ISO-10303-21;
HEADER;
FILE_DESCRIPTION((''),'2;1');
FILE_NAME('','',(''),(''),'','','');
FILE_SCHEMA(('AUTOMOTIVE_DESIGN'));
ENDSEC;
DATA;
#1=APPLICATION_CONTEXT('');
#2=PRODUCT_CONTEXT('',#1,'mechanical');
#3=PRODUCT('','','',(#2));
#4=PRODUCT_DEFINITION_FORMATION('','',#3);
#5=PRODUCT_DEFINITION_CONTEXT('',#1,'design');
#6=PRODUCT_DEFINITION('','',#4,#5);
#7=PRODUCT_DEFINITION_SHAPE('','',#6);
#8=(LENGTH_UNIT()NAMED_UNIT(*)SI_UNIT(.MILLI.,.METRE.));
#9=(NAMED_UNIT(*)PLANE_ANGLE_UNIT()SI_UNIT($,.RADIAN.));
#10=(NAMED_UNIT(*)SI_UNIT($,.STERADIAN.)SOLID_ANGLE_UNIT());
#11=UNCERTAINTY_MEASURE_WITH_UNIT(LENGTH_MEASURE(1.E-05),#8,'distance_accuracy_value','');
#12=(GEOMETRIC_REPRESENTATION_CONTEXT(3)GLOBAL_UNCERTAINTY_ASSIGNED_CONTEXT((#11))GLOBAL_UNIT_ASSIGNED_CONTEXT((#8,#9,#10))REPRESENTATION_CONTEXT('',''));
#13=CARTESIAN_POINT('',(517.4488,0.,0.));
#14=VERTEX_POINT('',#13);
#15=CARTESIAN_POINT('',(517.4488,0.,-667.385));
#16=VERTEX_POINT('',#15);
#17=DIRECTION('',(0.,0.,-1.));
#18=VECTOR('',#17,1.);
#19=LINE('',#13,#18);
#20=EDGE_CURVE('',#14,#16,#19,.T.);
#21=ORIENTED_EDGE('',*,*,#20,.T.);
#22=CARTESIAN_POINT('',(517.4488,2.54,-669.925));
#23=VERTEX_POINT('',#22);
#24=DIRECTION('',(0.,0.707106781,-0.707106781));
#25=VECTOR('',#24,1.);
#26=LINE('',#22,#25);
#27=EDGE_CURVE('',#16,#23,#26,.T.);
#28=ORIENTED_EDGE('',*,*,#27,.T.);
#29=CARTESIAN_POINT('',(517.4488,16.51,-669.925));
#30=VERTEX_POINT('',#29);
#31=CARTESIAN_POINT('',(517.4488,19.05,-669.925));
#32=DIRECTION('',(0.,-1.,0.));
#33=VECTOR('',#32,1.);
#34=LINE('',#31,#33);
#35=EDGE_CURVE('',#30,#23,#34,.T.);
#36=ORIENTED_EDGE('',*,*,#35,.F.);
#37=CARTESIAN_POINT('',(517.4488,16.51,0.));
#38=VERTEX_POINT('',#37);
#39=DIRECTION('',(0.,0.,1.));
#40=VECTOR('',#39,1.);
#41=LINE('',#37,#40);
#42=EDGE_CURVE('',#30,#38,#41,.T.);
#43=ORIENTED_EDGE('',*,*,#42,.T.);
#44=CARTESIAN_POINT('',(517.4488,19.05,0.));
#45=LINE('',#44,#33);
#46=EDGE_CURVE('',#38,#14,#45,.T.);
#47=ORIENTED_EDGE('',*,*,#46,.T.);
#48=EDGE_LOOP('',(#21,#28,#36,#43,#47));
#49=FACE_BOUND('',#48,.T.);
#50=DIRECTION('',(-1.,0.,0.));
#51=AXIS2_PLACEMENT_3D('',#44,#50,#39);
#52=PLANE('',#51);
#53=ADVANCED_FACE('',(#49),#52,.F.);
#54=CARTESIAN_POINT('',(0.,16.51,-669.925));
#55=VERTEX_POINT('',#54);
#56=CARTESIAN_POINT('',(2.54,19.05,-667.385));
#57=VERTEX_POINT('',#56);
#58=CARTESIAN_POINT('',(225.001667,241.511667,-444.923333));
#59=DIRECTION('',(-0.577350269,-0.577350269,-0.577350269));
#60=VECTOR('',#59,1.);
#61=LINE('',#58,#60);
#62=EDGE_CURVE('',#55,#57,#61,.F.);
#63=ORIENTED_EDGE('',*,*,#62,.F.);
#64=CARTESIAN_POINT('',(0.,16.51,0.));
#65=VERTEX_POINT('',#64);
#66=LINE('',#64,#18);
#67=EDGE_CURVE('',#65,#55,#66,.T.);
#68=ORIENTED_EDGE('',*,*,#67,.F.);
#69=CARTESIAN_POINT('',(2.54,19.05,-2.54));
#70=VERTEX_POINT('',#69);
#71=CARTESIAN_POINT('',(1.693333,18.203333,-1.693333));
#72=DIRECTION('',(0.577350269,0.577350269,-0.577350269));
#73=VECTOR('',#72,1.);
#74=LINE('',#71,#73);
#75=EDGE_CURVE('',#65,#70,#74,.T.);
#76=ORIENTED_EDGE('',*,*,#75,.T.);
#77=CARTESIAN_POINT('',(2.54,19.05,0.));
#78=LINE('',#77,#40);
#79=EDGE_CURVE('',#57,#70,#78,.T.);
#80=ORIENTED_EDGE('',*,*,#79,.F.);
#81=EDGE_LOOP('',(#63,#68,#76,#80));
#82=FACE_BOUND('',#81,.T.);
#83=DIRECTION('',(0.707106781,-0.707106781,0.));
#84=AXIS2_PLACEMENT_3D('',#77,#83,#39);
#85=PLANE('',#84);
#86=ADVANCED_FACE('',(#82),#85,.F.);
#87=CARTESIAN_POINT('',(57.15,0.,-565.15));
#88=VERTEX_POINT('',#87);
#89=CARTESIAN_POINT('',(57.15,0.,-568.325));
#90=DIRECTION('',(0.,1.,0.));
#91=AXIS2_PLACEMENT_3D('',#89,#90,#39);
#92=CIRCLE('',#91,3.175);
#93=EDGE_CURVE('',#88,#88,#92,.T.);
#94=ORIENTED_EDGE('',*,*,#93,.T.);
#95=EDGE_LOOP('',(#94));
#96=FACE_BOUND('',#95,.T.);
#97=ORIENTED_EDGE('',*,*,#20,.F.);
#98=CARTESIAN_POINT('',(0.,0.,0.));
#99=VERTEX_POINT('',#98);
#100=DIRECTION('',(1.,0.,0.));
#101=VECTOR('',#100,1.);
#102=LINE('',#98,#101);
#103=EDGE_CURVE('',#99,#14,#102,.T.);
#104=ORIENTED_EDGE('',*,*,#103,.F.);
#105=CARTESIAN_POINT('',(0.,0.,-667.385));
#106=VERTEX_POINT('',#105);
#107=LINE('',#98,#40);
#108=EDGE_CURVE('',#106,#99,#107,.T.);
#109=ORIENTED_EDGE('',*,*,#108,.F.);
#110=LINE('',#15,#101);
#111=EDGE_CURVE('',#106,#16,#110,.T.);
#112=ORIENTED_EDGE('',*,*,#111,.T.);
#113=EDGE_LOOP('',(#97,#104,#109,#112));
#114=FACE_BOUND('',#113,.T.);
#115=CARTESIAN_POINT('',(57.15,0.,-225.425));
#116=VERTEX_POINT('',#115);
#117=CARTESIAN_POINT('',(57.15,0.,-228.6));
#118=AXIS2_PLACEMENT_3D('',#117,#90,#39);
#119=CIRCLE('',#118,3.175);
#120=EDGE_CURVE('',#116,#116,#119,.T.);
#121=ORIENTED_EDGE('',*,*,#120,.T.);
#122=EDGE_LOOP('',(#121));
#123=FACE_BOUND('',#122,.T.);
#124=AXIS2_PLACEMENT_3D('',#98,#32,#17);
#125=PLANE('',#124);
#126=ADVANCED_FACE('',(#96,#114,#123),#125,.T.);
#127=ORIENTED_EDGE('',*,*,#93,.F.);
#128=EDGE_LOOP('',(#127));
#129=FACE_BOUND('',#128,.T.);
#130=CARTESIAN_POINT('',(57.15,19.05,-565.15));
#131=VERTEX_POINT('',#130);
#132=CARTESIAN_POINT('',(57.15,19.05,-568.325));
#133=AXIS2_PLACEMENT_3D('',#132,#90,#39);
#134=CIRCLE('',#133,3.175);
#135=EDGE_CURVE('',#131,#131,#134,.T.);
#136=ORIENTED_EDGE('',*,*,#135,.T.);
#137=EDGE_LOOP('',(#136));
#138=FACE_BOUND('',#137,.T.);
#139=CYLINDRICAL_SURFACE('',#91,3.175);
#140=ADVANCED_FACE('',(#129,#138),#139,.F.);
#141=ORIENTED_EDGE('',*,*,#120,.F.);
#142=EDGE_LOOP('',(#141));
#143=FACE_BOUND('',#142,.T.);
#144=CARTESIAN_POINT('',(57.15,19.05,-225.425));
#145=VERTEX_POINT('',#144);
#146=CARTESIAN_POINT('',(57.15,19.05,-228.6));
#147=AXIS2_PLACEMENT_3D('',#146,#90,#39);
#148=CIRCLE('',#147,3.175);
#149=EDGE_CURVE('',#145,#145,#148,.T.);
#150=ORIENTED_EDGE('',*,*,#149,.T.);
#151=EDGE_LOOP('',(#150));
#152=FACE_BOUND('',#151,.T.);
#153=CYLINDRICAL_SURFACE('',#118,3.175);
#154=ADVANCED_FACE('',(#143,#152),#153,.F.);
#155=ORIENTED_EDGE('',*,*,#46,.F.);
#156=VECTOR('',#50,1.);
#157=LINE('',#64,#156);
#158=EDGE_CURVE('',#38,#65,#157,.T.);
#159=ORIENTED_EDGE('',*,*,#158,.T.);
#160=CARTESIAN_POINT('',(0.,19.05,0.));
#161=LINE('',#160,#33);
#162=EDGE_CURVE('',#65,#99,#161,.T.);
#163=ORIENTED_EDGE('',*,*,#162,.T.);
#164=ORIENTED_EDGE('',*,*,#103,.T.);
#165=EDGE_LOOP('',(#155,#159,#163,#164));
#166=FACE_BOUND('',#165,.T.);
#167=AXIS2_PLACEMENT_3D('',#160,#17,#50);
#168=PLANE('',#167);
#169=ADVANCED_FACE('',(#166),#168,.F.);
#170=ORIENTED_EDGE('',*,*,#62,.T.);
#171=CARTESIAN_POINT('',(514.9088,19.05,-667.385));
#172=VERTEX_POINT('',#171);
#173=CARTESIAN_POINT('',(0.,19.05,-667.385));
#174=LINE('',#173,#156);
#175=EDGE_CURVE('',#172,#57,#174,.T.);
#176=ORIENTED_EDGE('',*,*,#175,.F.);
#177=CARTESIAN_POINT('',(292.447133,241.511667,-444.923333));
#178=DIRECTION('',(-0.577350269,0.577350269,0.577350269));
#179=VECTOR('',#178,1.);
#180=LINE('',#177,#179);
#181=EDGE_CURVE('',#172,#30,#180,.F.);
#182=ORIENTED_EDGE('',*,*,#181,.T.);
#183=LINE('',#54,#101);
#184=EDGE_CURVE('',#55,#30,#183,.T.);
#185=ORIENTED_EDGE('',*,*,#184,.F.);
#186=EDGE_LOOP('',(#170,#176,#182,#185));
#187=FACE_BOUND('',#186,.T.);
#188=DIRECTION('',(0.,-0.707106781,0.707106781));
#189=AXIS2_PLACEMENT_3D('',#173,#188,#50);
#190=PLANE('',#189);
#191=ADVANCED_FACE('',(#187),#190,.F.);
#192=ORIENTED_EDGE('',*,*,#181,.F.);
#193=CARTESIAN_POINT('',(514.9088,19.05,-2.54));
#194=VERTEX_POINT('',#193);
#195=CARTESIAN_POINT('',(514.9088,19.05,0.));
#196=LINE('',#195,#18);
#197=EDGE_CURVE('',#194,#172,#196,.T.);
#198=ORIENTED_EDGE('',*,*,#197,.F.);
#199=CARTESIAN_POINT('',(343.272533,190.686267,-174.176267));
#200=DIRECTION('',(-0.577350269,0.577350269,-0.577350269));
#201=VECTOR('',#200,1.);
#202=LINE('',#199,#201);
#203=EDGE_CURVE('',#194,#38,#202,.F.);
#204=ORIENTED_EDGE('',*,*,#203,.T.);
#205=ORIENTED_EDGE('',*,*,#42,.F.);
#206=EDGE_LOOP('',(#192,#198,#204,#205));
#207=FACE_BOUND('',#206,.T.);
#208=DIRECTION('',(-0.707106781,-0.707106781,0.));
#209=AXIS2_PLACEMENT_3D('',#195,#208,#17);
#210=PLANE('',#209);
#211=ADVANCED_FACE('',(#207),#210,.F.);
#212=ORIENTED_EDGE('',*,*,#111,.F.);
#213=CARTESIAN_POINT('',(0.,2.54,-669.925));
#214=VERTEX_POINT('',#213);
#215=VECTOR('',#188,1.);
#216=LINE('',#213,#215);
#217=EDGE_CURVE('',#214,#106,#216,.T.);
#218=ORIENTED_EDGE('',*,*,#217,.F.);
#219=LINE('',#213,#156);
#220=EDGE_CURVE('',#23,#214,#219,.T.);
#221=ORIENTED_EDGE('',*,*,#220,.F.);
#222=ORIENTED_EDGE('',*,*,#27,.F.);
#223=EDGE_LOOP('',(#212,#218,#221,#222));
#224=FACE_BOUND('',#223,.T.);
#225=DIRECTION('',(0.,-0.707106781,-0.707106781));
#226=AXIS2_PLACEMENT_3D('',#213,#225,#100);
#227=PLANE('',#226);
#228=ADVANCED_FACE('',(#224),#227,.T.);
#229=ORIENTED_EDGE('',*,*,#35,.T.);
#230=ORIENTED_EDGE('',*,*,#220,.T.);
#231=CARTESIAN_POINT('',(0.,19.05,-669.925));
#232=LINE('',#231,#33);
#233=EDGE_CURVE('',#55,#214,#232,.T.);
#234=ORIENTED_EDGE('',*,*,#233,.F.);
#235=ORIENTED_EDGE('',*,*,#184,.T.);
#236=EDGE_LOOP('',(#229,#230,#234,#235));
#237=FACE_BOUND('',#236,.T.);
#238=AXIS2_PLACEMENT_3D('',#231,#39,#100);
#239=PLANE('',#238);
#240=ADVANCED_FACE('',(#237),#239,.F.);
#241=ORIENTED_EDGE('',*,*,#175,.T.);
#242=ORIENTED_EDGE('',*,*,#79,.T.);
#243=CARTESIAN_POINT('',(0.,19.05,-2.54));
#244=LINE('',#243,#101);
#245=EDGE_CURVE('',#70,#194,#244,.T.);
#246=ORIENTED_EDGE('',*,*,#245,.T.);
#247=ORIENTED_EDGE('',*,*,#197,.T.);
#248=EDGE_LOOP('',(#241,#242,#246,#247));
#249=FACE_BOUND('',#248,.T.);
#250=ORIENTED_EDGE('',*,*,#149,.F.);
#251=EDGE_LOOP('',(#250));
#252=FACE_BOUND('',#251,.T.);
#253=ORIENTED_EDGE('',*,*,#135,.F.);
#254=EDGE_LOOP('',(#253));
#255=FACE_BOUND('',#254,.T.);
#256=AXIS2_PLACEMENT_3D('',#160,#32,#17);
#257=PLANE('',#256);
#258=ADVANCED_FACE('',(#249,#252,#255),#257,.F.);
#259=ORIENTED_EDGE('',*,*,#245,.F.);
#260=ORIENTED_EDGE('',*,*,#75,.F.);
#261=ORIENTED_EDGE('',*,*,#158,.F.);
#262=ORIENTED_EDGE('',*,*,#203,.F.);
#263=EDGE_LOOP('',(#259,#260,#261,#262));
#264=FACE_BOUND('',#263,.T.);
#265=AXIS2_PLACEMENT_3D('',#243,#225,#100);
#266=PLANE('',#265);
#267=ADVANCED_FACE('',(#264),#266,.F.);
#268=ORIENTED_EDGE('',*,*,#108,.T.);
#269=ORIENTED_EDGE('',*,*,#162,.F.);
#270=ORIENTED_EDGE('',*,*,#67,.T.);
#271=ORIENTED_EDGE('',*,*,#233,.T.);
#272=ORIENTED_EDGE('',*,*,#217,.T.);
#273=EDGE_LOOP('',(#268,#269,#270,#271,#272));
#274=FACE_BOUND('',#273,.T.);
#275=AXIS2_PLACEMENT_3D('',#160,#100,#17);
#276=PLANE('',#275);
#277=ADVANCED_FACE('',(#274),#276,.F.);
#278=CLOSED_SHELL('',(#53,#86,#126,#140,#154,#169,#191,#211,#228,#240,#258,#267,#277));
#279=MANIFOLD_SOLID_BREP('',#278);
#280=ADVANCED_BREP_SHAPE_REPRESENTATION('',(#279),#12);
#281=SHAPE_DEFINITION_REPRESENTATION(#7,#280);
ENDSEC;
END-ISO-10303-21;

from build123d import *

# Parameters (mm, degrees)
SKETCH1_W           = 517.4488
SKETCH1_H           = 669.925
BOSS_EXTRUDE1_DEPTH = 19.05
CHAMFER1_SIZE       = 2.54
CHAMFER2_SIZE       = 2.54
SKETCH2_R           = 3.175
CUT_EXTRUDE1_DEPTH  = 20.05


with BuildPart() as part:
    # Sketch1 → Boss-Extrude1 (new body)
    with BuildSketch(Plane(origin=(0, 0, 0), x_dir=(1, 0, 0), z_dir=(0, 1, 0))):
        with Locations((258.7244, 334.9625)):
            Rectangle(SKETCH1_W, SKETCH1_H)
    extrude(amount=BOSS_EXTRUDE1_DEPTH)

    # Chamfer1
    chamfer1_edges = [part.edges().sort_by_distance(p)[0] for p in [
        (517.4488, 19.05, -334.9625),
        (258.7244, 19.05, -669.925),
        (0, 19.05, -334.9625),
        (258.7244, 19.05, 0),
    ]]
    chamfer(chamfer1_edges, length=CHAMFER1_SIZE)

    # Chamfer2
    chamfer2_edges = [part.edges().sort_by_distance(p)[0] for p in [
        (258.7244, 0, -669.925),
    ]]
    chamfer(chamfer2_edges, length=CHAMFER2_SIZE)

    # Sketch2 → Cut-Extrude1 (cut, through all)
    with BuildSketch(Plane(origin=(0, 19.05, 0), x_dir=(1, 0, 0), z_dir=(0, 1, 0))):
        with Locations((57.15, 568.325)):
            Circle(SKETCH2_R)
        with Locations((57.15, 228.6)):
            Circle(SKETCH2_R)
        with Locations((666.75, 568.325)):
            Circle(SKETCH2_R)
        with Locations((666.75, 228.6)):
            Circle(SKETCH2_R)
    extrude(amount=-CUT_EXTRUDE1_DEPTH, mode=Mode.SUBTRACT)


solid = part.part
